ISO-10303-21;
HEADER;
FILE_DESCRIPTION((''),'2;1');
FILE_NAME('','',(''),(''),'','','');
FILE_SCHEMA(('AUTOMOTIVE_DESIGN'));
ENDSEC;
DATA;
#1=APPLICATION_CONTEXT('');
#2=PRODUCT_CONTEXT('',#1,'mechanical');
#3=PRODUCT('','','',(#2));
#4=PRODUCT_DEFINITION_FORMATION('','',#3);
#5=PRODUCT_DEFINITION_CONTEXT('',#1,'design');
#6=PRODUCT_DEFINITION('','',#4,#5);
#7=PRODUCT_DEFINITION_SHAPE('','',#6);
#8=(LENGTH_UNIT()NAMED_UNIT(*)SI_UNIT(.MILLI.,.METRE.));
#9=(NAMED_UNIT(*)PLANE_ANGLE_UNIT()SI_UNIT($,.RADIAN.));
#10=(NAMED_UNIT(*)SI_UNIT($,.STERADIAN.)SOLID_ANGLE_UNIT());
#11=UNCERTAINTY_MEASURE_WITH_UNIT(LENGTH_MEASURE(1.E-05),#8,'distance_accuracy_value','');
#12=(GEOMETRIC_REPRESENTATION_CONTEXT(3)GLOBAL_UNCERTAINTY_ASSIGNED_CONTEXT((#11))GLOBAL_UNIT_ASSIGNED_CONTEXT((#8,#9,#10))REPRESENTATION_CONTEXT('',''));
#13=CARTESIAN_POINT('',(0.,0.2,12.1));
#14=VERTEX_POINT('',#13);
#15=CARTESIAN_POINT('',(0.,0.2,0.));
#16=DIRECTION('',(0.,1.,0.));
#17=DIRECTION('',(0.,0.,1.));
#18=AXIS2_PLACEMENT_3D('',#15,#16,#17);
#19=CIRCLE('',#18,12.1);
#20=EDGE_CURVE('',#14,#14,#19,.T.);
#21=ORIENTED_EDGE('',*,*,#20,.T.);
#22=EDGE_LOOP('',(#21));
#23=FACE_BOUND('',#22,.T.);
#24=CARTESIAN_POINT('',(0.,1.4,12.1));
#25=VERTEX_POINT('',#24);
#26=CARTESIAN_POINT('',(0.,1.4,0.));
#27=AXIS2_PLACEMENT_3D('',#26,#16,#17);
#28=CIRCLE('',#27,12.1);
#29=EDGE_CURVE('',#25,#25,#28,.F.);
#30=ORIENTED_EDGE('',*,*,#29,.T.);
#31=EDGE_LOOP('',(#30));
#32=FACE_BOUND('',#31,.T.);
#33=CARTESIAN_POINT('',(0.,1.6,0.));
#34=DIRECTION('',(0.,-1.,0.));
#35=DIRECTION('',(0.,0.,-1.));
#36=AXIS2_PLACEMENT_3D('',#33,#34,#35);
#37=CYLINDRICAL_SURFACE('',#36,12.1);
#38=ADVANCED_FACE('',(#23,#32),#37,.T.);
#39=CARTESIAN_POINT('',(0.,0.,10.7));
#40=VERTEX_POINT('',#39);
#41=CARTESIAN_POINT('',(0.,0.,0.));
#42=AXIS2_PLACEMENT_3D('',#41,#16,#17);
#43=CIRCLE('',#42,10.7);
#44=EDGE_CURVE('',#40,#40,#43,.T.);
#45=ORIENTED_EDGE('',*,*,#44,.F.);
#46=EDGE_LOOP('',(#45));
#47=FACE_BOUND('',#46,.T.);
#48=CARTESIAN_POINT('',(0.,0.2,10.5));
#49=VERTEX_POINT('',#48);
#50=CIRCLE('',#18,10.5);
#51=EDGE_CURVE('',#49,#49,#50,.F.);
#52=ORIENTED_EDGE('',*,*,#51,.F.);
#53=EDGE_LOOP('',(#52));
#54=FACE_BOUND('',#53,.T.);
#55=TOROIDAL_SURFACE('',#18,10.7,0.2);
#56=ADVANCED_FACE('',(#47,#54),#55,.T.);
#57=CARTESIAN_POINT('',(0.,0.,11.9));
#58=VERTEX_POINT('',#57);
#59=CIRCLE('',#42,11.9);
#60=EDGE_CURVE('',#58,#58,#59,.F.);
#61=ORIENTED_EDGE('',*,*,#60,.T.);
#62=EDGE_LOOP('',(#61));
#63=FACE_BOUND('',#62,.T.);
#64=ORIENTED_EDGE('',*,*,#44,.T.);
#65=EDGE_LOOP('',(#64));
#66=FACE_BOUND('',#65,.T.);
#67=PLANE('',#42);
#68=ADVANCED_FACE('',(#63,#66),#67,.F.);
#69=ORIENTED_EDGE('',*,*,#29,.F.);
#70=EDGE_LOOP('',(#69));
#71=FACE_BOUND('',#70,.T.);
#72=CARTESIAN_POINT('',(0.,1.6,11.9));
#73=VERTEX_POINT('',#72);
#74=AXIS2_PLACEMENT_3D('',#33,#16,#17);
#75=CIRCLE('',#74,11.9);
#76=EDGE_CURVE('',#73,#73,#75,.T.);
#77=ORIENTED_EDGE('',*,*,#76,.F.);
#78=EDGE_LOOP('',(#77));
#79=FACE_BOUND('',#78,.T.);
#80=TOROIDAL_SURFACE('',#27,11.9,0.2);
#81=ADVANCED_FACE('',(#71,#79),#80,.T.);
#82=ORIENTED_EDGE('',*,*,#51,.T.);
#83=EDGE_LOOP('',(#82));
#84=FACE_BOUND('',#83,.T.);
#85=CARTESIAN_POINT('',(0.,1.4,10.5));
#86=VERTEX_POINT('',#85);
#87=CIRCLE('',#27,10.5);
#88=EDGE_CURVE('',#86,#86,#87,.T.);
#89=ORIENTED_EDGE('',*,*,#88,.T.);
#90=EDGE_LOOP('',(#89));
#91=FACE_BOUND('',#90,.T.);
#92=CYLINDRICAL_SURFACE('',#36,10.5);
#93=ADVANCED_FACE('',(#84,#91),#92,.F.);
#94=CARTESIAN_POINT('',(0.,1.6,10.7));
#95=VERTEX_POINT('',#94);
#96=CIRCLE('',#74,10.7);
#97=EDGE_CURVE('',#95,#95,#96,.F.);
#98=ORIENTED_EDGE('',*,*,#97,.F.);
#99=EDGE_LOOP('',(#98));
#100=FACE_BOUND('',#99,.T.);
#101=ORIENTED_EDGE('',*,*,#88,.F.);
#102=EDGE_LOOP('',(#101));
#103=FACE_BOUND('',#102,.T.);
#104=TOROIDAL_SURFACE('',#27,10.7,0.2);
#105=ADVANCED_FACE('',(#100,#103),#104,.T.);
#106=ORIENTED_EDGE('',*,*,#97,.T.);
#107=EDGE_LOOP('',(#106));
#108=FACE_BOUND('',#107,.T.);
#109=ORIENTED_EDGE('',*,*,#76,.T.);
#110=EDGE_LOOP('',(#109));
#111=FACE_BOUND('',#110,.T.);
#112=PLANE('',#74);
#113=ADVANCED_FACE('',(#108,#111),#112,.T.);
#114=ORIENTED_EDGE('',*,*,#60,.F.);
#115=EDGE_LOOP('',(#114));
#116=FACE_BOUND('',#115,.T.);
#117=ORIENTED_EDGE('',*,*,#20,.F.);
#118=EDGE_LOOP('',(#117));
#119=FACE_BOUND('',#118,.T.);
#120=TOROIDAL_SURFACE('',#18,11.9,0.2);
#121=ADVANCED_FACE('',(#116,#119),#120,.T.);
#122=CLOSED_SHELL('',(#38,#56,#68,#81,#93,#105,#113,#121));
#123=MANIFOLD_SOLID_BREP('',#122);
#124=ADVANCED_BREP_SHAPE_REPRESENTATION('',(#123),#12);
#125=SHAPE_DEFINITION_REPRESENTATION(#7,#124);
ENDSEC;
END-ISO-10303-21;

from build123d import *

# Parameters (mm, degrees)
SKETCH1_R           = 12.1
SKETCH1_R_2         = 10.5
EXTRUDE_THIN1_DEPTH = 1.6
FILLET1_R           = 0.2


with BuildPart() as part:
    # Sketch1 → Extrude-Thin1 (new body)
    with BuildSketch(Plane(origin=(0, 0, 0), x_dir=(1, 0, 0), z_dir=(0, 1, 0))):
        Circle(SKETCH1_R)
        Circle(SKETCH1_R_2, mode=Mode.SUBTRACT)
    extrude(amount=EXTRUDE_THIN1_DEPTH)

    # Fillet1
    fillet1_edges = [part.edges().sort_by_distance(p)[0] for p in [
        (-12.1, 0, 0),
        (-10.5, 0, 0),
        (-12.1, 1.6, 0),
        (-10.5, 1.6, 0),
    ]]
    fillet(fillet1_edges, radius=FILLET1_R)


solid = part.part
